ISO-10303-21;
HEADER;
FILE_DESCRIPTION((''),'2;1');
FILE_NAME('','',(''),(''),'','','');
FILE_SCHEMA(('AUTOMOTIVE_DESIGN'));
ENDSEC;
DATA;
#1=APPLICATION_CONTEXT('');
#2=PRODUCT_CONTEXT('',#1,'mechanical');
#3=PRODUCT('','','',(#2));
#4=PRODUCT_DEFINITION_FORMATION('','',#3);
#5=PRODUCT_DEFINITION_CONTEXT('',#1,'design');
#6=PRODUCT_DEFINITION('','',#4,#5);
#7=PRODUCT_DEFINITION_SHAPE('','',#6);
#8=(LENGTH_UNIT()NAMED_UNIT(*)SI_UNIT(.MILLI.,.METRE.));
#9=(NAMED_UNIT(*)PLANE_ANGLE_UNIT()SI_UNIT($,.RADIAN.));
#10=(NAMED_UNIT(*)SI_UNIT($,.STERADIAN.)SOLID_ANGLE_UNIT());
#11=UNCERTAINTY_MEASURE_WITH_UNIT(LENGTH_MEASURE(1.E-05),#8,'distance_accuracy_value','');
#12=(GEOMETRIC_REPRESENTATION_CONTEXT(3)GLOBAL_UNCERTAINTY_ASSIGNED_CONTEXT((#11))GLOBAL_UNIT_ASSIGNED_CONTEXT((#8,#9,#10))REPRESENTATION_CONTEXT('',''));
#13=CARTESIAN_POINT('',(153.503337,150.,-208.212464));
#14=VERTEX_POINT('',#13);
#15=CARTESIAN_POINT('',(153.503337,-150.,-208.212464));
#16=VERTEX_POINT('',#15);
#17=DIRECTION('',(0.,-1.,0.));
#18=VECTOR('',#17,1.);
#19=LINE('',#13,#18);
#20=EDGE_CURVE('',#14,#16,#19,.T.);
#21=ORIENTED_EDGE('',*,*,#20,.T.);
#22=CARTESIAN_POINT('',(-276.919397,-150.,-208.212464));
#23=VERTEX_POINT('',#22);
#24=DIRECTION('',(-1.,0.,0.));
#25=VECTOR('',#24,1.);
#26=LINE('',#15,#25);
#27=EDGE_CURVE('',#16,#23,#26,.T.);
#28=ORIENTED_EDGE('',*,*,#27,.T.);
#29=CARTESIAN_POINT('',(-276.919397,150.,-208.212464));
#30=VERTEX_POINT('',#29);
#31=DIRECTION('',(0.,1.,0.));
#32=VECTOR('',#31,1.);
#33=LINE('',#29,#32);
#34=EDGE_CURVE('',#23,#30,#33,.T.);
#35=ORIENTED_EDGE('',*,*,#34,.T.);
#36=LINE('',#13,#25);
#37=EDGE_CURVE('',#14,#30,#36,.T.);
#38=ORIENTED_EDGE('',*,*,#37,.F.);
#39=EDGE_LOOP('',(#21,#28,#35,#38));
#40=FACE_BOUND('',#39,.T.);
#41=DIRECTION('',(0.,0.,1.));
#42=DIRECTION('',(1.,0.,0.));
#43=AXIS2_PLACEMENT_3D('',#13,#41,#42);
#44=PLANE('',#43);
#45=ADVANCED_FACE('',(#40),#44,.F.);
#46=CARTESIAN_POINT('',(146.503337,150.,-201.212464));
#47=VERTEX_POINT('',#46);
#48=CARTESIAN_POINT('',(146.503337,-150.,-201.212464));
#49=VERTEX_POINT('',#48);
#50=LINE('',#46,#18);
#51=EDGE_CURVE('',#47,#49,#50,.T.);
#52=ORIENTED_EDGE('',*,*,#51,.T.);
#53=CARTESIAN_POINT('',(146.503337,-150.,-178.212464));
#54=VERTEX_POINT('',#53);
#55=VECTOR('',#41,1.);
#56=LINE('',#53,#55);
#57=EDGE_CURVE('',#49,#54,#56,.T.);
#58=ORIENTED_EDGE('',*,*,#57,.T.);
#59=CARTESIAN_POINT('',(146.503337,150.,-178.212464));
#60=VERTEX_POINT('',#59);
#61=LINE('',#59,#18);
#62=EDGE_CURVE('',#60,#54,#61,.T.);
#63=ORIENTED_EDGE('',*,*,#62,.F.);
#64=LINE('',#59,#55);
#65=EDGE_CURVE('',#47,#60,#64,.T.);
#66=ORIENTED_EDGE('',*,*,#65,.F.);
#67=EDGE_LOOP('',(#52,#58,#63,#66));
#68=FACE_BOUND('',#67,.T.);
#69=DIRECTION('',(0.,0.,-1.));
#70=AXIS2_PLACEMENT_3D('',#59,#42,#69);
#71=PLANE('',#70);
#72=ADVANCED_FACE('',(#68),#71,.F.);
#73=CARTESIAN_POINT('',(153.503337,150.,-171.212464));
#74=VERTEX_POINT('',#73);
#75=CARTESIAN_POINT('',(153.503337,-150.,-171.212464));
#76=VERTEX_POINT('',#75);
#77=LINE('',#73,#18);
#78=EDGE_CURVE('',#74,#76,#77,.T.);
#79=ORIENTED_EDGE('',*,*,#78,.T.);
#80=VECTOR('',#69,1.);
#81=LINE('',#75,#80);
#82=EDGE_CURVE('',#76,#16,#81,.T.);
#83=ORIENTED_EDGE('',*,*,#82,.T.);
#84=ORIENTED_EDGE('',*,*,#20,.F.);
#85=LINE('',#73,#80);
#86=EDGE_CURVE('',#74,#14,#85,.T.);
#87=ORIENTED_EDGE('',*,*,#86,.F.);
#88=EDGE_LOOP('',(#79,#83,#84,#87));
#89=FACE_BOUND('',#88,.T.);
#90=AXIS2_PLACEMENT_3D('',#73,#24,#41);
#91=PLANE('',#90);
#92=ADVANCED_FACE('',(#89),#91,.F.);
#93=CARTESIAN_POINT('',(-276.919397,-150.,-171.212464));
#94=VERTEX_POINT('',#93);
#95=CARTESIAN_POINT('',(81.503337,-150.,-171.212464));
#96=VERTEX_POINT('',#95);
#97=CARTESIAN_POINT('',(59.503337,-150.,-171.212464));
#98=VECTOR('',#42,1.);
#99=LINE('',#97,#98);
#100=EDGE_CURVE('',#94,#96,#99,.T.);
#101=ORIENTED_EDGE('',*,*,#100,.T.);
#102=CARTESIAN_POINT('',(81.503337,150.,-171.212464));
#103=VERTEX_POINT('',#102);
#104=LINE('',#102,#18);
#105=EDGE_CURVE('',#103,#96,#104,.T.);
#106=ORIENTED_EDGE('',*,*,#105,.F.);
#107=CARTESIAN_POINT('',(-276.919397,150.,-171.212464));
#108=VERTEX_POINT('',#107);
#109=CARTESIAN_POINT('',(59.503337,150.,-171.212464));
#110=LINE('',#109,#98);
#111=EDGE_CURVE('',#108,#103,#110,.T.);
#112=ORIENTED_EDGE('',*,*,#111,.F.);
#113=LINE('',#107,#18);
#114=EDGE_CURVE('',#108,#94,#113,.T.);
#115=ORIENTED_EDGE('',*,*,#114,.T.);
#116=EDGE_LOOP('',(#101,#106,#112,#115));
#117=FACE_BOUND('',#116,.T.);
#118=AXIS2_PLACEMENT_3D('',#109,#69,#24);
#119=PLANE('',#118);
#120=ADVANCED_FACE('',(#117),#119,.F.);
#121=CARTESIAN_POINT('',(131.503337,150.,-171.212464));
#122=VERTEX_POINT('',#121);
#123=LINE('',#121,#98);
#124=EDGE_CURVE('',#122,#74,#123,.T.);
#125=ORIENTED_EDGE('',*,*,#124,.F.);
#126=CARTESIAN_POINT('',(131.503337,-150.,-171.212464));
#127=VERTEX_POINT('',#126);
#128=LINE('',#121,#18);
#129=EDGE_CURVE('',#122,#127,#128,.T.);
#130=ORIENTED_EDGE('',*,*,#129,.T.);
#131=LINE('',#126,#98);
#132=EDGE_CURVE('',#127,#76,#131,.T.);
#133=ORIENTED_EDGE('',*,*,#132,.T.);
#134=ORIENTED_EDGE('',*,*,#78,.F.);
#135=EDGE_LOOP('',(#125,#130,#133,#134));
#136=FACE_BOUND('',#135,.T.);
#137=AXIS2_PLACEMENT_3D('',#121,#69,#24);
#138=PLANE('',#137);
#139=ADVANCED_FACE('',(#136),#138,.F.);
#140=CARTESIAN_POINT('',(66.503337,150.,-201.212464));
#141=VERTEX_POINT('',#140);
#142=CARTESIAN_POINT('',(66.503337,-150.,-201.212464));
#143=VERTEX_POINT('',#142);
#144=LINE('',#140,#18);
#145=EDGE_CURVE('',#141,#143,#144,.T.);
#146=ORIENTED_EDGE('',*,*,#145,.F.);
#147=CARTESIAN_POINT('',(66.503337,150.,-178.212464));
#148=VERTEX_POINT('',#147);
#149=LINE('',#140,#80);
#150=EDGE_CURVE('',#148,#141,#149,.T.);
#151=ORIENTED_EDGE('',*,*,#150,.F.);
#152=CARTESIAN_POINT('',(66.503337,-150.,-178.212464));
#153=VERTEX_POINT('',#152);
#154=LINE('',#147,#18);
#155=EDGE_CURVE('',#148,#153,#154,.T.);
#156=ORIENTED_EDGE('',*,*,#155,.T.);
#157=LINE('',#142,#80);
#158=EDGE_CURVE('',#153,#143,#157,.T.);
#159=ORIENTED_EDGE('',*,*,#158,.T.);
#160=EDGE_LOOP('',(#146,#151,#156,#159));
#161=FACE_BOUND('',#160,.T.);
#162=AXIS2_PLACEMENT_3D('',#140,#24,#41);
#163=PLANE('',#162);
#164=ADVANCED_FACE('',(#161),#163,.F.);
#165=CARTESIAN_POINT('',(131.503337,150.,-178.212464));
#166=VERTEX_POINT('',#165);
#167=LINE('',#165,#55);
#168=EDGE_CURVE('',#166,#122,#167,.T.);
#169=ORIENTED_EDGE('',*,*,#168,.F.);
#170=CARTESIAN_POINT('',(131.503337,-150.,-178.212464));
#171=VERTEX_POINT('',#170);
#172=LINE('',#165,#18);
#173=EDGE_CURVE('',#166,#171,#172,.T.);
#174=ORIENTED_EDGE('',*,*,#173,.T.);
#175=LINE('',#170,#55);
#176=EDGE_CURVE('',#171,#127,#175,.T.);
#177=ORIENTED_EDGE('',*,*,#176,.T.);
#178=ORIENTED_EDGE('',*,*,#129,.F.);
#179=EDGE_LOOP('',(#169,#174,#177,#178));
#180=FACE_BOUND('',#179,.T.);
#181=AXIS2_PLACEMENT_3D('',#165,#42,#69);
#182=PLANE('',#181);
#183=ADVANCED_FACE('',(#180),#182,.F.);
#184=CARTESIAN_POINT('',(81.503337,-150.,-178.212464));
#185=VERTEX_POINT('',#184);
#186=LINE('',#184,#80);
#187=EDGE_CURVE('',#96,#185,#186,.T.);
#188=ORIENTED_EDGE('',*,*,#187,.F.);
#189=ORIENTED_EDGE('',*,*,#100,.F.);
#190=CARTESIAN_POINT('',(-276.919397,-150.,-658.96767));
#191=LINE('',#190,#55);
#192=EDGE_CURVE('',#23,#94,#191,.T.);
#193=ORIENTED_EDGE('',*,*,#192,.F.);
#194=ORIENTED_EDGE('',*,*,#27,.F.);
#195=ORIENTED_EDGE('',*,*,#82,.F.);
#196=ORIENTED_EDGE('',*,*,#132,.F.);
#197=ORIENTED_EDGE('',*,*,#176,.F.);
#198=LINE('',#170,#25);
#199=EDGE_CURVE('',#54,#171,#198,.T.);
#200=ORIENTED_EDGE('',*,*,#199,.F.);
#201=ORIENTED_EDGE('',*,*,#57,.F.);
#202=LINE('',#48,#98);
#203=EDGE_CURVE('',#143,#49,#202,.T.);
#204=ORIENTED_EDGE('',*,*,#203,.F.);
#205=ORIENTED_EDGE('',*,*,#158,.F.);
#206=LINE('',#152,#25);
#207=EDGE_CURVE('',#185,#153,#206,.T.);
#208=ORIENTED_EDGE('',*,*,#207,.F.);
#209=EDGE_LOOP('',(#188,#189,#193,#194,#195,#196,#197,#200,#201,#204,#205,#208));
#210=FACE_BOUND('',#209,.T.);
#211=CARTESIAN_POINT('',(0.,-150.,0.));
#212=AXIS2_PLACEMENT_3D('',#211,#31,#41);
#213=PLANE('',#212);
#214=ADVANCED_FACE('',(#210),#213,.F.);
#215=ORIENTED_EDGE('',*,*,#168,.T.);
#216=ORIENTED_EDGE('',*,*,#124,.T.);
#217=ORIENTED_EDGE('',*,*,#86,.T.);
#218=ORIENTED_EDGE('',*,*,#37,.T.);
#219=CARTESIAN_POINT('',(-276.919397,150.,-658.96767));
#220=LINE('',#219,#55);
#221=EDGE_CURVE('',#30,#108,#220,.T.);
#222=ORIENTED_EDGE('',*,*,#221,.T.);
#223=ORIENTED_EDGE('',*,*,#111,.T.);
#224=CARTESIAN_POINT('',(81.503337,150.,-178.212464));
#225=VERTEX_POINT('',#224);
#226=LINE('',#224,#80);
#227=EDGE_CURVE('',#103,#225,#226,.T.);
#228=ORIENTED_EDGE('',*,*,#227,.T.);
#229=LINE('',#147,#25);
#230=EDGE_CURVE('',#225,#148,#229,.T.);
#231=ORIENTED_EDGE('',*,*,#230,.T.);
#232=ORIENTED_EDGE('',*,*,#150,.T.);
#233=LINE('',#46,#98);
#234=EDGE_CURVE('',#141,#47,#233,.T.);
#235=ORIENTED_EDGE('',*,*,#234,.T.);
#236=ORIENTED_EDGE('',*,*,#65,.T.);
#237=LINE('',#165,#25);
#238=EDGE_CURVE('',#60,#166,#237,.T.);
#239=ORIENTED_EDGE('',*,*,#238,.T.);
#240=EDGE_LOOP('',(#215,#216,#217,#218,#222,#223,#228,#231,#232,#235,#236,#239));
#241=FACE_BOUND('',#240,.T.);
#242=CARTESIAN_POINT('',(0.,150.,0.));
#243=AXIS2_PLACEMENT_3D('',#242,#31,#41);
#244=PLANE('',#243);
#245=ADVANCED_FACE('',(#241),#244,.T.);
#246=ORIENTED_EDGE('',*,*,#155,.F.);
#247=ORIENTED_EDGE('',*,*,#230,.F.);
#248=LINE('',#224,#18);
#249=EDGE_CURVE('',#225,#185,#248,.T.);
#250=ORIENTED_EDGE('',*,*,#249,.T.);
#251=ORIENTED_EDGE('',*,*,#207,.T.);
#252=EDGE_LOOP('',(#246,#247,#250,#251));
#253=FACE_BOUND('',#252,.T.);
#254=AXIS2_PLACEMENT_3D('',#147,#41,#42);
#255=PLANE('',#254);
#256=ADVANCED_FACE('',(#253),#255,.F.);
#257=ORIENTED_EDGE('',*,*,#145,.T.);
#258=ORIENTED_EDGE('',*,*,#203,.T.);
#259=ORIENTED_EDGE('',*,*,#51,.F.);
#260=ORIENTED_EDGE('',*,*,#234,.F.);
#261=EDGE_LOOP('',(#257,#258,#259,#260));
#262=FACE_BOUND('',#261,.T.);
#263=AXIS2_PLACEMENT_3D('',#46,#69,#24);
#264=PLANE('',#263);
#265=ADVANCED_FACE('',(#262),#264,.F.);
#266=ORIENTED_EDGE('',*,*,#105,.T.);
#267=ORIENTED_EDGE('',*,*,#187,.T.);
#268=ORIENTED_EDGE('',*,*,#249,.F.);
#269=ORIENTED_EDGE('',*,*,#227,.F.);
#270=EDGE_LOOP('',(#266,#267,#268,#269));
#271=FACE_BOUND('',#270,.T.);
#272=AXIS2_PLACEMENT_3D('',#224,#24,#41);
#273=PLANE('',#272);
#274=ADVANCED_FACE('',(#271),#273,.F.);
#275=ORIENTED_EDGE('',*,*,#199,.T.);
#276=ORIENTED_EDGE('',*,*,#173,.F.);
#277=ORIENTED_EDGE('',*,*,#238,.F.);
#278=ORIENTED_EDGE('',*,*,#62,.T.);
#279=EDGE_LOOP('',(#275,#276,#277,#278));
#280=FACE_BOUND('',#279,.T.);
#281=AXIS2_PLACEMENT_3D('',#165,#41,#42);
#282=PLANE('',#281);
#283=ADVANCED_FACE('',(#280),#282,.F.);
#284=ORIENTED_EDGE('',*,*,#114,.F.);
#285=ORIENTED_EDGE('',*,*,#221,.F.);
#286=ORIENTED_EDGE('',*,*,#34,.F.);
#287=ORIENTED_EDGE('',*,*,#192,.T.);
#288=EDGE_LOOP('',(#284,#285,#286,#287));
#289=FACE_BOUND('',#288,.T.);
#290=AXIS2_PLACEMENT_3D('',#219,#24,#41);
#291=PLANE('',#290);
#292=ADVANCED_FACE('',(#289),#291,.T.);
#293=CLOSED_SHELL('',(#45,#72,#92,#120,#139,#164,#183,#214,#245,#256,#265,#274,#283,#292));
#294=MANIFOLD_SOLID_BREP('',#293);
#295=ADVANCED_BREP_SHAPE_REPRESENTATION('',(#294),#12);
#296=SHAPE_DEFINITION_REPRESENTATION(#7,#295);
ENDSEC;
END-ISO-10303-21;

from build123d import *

# Parameters (mm, degrees)
BOSS_EXTRUDE1_DEPTH = 150
SKETCH2_W           = 336.422734183
SKETCH2_H           = 300
BOSS_EXTRUDE2_DEPTH = 37


with BuildPart() as part:
    # Sketch1 → Boss-Extrude1 (new, symmetric)
    with BuildSketch(Plane(origin=(0, 0, 0), x_dir=(1, 0, 0), z_dir=(0, 1, 0))):
        Polygon((131.503336753, 178.212463787), (146.503336753, 178.212463787), (146.503336753, 201.212463787), (66.503336753, 201.212463787), (66.503336753, 178.212463787), (81.503336753, 178.212463787), (81.503336753, 171.212463787), (59.503336753, 171.212463787), (59.503336753, 208.212463787), (153.503336753, 208.212463787), (153.503336753, 171.212463787), (131.503336753, 171.212463787), align=None)
    extrude(amount=BOSS_EXTRUDE1_DEPTH, both=True)

    # Sketch2 → Boss-Extrude2 (add)
    with BuildSketch(Plane.XY.offset(-171.212463787)):
        with Locations((-108.708030338, 0)):
            Rectangle(SKETCH2_W, SKETCH2_H)
    extrude(amount=-BOSS_EXTRUDE2_DEPTH)


solid = part.part
